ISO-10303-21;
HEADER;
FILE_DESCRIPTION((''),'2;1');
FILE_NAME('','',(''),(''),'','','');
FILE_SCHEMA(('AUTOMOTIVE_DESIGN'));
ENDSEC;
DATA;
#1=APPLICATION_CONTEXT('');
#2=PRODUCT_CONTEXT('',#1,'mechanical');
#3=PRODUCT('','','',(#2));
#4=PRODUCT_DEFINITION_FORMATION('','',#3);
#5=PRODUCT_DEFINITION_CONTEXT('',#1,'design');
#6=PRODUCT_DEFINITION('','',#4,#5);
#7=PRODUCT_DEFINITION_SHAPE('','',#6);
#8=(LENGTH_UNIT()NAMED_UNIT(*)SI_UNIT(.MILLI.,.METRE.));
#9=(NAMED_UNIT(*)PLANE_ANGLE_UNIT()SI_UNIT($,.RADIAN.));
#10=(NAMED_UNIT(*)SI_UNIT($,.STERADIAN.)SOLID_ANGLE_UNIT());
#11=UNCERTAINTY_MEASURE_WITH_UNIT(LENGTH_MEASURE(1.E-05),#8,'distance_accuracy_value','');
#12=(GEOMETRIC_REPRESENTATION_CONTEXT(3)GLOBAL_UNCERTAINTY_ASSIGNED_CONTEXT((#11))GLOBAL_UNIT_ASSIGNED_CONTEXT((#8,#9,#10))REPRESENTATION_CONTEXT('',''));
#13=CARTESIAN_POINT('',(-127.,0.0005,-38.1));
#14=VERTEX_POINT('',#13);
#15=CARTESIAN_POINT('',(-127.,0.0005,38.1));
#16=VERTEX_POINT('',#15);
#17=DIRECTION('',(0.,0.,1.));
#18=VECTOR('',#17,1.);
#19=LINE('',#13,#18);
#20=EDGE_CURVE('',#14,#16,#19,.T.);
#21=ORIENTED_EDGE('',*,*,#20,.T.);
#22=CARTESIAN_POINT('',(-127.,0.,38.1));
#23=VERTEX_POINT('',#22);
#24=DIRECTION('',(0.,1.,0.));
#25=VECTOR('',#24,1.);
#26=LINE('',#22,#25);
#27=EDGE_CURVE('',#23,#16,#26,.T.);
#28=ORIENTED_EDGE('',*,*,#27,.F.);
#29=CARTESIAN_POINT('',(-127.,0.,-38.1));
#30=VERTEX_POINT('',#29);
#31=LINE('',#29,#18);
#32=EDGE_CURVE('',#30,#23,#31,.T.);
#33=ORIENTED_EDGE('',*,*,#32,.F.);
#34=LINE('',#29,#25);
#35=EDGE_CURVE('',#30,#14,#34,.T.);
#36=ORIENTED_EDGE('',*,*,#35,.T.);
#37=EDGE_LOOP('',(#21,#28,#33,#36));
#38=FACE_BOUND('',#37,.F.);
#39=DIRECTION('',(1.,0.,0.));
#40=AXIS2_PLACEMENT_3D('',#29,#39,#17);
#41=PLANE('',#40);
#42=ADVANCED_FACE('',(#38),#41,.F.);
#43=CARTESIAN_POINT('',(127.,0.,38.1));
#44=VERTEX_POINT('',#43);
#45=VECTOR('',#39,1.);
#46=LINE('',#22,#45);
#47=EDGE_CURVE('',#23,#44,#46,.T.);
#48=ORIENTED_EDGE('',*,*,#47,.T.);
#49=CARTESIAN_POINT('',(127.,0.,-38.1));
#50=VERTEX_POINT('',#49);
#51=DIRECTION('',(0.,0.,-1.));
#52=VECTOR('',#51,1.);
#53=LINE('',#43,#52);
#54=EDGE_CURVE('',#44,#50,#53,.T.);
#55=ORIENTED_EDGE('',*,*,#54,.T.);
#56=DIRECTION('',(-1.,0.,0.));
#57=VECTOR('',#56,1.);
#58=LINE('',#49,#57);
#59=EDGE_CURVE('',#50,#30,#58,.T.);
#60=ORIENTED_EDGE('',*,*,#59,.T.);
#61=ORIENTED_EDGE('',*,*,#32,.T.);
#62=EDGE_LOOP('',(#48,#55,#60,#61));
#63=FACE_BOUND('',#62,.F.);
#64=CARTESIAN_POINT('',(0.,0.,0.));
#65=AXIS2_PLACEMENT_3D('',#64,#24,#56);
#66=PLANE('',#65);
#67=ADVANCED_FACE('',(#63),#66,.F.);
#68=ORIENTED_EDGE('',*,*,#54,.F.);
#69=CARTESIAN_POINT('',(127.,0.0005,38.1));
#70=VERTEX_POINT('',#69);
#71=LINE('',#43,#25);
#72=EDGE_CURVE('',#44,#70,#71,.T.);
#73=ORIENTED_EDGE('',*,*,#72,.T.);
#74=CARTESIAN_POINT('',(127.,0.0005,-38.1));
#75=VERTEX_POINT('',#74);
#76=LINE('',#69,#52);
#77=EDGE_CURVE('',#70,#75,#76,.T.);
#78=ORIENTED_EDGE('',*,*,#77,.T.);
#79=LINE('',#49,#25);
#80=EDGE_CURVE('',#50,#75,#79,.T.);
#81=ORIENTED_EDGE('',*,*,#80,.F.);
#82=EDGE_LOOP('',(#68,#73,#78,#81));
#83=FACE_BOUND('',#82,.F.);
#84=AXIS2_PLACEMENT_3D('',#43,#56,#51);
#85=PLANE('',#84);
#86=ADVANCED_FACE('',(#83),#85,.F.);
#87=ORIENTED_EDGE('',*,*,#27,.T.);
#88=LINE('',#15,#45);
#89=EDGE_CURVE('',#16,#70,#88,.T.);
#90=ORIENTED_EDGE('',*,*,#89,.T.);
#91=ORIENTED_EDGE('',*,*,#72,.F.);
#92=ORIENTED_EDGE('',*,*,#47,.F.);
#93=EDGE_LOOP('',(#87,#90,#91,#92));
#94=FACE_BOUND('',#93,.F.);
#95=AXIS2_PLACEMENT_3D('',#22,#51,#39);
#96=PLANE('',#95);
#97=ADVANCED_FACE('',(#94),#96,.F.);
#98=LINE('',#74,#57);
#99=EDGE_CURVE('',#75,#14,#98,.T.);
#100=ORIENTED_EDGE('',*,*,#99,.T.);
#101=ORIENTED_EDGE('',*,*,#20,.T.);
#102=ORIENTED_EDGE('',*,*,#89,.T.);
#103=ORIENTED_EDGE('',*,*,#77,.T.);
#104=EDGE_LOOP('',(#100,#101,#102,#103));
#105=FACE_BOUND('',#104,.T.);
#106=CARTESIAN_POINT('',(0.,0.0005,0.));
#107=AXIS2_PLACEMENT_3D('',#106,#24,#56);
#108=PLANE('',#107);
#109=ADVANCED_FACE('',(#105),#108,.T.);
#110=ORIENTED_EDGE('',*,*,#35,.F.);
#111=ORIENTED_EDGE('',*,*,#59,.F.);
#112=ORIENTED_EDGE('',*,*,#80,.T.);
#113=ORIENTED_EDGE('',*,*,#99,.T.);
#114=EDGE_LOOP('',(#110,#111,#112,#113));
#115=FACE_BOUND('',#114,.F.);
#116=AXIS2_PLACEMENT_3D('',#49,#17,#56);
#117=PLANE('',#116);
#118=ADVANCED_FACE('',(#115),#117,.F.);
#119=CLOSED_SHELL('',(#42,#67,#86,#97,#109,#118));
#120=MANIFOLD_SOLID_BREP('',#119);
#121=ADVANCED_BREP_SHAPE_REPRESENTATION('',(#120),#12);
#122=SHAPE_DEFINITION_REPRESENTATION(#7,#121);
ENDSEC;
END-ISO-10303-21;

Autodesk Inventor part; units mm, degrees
ref_plane "YZ Plane" through (0, 0, 0) normal (1, 0, 0) x (0, 1, 0)
ref_plane "XZ Plane" through (0, 0, 0) normal (0, 1, 0) x (-1, 0, 0)
ref_plane "XY Plane" through (0, 0, 0) normal (0, 0, 1) x (1, 0, 0)
sketch "Sketch1" plane through (0, 0, 0) normal (0, 1, 0) x (-1, 0, 0)
  line L0 (127, 38.1) -> (-127, 38.1)
  line L1 (-127, 38.1) -> (-127, -38.1)
  line L2 (-127, -38.1) -> (127, -38.1)
  line L3 (127, -38.1) -> (127, 38.1)
  line L4 (127, 38.1) -> (-127, -38.1) construction
  line L5 (-127, 38.1) -> (127, -38.1) construction
  point P0 (0, 0)
  dimension "d0" = 254
  dimension "d1" = 76.2
extrude "Extrusion1" add sketch "Sketch1" along normal blind 0.0005
properties part number "Loop plane"
